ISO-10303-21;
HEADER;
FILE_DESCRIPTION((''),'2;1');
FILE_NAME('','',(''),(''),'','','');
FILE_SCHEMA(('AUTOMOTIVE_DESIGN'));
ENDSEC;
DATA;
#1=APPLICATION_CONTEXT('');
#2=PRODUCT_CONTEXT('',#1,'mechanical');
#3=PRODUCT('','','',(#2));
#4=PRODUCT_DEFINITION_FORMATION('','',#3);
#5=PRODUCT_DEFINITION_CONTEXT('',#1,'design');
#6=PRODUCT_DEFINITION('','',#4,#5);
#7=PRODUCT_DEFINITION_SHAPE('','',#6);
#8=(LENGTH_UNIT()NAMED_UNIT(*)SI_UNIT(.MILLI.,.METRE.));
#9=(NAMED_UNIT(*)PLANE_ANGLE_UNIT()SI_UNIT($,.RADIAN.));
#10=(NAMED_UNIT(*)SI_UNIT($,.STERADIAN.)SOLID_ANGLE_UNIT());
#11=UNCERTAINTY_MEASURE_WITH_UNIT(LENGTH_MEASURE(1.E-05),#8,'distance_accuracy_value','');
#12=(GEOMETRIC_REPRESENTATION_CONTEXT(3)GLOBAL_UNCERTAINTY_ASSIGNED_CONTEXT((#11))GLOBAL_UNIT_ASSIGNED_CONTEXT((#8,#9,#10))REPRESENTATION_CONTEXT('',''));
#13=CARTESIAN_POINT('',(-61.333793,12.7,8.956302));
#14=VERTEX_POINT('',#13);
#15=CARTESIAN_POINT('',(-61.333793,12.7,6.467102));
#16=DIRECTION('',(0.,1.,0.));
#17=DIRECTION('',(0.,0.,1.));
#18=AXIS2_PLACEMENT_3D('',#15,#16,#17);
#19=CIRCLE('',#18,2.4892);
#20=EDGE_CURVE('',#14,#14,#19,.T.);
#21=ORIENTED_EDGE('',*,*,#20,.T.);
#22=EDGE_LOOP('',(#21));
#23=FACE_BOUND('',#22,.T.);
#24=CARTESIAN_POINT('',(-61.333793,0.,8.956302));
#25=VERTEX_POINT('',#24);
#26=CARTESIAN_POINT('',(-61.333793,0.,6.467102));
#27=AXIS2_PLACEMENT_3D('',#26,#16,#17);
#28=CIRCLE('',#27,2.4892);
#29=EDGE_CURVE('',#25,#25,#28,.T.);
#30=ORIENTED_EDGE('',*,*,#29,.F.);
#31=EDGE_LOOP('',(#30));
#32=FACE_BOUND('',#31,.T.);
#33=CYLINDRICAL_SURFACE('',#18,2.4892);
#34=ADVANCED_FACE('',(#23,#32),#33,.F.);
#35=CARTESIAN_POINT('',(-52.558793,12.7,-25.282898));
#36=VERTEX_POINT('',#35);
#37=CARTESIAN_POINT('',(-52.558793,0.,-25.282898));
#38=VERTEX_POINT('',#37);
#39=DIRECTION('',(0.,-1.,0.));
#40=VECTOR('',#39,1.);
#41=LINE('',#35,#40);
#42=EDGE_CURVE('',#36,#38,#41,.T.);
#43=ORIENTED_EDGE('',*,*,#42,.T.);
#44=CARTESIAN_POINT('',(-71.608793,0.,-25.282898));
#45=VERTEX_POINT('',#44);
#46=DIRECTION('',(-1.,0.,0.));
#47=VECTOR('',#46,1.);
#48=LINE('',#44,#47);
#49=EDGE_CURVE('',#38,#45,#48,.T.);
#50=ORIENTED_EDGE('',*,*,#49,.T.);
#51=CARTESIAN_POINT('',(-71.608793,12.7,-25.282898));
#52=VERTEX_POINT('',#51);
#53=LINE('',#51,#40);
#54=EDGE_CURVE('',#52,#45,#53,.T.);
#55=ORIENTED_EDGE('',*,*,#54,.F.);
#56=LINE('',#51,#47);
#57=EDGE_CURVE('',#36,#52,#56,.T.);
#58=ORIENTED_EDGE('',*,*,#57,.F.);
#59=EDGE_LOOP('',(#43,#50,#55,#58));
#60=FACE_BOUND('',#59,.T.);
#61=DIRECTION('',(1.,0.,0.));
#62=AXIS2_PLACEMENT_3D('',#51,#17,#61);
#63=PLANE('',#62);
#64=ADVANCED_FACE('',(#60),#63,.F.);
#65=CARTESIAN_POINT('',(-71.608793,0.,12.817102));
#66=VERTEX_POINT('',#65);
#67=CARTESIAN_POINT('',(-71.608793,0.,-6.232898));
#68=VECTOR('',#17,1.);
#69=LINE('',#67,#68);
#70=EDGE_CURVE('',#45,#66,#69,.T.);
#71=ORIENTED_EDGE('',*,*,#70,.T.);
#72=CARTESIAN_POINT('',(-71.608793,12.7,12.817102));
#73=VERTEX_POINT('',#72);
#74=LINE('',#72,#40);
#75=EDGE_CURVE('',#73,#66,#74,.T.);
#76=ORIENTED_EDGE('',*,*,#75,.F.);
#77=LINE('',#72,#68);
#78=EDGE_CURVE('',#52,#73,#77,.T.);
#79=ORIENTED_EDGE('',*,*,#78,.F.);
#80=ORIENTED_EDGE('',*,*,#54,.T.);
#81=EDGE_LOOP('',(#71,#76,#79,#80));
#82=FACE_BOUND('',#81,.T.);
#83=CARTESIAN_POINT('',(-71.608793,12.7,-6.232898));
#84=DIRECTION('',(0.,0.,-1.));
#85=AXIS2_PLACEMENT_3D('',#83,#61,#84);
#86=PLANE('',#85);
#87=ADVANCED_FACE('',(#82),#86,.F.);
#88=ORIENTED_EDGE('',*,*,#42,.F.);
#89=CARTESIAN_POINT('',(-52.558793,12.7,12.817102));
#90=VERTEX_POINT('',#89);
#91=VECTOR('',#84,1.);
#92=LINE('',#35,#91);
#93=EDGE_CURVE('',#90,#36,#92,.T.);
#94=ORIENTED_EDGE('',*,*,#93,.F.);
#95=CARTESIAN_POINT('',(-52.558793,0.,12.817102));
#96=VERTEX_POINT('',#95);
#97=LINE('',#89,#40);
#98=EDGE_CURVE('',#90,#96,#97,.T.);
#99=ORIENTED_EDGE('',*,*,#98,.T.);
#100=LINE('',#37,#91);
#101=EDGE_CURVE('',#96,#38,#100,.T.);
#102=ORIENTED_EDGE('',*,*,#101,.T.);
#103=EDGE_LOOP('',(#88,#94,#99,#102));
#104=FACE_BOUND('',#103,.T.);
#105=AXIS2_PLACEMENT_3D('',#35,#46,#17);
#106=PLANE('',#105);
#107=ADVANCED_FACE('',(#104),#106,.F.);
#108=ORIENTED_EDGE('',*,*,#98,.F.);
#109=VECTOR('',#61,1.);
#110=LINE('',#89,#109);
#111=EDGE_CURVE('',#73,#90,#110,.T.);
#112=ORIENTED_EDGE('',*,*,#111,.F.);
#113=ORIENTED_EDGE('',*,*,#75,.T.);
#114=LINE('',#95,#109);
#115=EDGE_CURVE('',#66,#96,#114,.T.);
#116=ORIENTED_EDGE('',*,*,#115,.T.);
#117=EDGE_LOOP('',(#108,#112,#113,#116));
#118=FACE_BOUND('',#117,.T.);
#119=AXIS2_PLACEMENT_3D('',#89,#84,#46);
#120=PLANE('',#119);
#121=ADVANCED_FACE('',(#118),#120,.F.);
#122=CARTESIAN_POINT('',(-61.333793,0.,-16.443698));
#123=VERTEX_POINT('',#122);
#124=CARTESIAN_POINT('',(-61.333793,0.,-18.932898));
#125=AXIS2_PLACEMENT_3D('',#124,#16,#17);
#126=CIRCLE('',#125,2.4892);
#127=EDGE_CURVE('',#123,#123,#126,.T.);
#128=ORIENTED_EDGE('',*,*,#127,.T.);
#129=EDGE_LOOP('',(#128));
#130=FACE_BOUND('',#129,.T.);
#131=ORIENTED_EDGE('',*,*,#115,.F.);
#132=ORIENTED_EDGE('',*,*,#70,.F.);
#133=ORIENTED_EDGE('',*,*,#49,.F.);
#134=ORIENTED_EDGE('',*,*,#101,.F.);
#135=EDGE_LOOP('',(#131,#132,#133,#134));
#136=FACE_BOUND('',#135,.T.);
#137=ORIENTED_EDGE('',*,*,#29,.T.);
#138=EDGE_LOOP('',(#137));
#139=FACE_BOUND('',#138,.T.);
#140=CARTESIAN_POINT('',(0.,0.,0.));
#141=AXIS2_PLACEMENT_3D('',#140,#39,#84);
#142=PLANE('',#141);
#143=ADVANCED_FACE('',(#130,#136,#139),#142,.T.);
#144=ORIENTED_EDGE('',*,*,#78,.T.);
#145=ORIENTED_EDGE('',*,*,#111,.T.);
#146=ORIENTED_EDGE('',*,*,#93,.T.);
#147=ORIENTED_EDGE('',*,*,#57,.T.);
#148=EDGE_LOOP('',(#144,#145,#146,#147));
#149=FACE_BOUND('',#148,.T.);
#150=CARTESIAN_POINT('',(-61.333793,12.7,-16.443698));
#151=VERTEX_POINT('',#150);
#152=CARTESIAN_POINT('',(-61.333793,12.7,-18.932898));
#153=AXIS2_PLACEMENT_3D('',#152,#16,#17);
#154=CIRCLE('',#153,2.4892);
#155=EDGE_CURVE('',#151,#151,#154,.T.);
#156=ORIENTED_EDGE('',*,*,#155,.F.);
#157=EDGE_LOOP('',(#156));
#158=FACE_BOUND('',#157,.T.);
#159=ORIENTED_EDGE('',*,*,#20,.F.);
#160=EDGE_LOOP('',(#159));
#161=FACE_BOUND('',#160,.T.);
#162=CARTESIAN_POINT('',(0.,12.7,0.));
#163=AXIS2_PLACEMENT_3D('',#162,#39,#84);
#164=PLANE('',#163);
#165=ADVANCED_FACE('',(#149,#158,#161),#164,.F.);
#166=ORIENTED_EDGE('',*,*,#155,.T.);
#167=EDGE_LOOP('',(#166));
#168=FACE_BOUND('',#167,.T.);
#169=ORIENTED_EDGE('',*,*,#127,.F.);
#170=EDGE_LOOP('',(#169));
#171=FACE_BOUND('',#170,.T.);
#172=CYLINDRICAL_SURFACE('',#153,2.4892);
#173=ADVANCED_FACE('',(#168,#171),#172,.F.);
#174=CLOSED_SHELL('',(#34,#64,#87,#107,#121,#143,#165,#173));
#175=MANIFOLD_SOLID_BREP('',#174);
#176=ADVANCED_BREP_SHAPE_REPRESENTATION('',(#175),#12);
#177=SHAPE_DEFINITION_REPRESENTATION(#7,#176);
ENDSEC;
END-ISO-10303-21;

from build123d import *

# Parameters (mm, degrees)
BOSS_EXTRUDE1_DEPTH    = 12.7
F_10_CLEARANCE_HOLE1_D = 4.9784


with BuildPart() as part:
    # Sketch4 → Boss-Extrude1 (new body)
    with BuildSketch(Plane(origin=(0, 0, 0), x_dir=(1, 0, 0), z_dir=(0, 1, 0))):
        Polygon((-71.608792588, 6.232898137), (-71.608792588, 25.282898137), (-52.558792588, 25.282898137), (-52.558792588, -12.817101863), (-71.608792588, -12.817101863), align=None)
    extrude(amount=BOSS_EXTRUDE1_DEPTH)

    # #10 Clearance Hole1 (through all)
    with Locations(Plane(origin=(0, 12.7, 0), x_dir=(1, 0, 0), z_dir=(0, 1, 0))):
        with Locations((-61.333792588, 18.932898137), (-61.333792588, -6.467101863)):
            Hole(F_10_CLEARANCE_HOLE1_D / 2)


solid = part.part
